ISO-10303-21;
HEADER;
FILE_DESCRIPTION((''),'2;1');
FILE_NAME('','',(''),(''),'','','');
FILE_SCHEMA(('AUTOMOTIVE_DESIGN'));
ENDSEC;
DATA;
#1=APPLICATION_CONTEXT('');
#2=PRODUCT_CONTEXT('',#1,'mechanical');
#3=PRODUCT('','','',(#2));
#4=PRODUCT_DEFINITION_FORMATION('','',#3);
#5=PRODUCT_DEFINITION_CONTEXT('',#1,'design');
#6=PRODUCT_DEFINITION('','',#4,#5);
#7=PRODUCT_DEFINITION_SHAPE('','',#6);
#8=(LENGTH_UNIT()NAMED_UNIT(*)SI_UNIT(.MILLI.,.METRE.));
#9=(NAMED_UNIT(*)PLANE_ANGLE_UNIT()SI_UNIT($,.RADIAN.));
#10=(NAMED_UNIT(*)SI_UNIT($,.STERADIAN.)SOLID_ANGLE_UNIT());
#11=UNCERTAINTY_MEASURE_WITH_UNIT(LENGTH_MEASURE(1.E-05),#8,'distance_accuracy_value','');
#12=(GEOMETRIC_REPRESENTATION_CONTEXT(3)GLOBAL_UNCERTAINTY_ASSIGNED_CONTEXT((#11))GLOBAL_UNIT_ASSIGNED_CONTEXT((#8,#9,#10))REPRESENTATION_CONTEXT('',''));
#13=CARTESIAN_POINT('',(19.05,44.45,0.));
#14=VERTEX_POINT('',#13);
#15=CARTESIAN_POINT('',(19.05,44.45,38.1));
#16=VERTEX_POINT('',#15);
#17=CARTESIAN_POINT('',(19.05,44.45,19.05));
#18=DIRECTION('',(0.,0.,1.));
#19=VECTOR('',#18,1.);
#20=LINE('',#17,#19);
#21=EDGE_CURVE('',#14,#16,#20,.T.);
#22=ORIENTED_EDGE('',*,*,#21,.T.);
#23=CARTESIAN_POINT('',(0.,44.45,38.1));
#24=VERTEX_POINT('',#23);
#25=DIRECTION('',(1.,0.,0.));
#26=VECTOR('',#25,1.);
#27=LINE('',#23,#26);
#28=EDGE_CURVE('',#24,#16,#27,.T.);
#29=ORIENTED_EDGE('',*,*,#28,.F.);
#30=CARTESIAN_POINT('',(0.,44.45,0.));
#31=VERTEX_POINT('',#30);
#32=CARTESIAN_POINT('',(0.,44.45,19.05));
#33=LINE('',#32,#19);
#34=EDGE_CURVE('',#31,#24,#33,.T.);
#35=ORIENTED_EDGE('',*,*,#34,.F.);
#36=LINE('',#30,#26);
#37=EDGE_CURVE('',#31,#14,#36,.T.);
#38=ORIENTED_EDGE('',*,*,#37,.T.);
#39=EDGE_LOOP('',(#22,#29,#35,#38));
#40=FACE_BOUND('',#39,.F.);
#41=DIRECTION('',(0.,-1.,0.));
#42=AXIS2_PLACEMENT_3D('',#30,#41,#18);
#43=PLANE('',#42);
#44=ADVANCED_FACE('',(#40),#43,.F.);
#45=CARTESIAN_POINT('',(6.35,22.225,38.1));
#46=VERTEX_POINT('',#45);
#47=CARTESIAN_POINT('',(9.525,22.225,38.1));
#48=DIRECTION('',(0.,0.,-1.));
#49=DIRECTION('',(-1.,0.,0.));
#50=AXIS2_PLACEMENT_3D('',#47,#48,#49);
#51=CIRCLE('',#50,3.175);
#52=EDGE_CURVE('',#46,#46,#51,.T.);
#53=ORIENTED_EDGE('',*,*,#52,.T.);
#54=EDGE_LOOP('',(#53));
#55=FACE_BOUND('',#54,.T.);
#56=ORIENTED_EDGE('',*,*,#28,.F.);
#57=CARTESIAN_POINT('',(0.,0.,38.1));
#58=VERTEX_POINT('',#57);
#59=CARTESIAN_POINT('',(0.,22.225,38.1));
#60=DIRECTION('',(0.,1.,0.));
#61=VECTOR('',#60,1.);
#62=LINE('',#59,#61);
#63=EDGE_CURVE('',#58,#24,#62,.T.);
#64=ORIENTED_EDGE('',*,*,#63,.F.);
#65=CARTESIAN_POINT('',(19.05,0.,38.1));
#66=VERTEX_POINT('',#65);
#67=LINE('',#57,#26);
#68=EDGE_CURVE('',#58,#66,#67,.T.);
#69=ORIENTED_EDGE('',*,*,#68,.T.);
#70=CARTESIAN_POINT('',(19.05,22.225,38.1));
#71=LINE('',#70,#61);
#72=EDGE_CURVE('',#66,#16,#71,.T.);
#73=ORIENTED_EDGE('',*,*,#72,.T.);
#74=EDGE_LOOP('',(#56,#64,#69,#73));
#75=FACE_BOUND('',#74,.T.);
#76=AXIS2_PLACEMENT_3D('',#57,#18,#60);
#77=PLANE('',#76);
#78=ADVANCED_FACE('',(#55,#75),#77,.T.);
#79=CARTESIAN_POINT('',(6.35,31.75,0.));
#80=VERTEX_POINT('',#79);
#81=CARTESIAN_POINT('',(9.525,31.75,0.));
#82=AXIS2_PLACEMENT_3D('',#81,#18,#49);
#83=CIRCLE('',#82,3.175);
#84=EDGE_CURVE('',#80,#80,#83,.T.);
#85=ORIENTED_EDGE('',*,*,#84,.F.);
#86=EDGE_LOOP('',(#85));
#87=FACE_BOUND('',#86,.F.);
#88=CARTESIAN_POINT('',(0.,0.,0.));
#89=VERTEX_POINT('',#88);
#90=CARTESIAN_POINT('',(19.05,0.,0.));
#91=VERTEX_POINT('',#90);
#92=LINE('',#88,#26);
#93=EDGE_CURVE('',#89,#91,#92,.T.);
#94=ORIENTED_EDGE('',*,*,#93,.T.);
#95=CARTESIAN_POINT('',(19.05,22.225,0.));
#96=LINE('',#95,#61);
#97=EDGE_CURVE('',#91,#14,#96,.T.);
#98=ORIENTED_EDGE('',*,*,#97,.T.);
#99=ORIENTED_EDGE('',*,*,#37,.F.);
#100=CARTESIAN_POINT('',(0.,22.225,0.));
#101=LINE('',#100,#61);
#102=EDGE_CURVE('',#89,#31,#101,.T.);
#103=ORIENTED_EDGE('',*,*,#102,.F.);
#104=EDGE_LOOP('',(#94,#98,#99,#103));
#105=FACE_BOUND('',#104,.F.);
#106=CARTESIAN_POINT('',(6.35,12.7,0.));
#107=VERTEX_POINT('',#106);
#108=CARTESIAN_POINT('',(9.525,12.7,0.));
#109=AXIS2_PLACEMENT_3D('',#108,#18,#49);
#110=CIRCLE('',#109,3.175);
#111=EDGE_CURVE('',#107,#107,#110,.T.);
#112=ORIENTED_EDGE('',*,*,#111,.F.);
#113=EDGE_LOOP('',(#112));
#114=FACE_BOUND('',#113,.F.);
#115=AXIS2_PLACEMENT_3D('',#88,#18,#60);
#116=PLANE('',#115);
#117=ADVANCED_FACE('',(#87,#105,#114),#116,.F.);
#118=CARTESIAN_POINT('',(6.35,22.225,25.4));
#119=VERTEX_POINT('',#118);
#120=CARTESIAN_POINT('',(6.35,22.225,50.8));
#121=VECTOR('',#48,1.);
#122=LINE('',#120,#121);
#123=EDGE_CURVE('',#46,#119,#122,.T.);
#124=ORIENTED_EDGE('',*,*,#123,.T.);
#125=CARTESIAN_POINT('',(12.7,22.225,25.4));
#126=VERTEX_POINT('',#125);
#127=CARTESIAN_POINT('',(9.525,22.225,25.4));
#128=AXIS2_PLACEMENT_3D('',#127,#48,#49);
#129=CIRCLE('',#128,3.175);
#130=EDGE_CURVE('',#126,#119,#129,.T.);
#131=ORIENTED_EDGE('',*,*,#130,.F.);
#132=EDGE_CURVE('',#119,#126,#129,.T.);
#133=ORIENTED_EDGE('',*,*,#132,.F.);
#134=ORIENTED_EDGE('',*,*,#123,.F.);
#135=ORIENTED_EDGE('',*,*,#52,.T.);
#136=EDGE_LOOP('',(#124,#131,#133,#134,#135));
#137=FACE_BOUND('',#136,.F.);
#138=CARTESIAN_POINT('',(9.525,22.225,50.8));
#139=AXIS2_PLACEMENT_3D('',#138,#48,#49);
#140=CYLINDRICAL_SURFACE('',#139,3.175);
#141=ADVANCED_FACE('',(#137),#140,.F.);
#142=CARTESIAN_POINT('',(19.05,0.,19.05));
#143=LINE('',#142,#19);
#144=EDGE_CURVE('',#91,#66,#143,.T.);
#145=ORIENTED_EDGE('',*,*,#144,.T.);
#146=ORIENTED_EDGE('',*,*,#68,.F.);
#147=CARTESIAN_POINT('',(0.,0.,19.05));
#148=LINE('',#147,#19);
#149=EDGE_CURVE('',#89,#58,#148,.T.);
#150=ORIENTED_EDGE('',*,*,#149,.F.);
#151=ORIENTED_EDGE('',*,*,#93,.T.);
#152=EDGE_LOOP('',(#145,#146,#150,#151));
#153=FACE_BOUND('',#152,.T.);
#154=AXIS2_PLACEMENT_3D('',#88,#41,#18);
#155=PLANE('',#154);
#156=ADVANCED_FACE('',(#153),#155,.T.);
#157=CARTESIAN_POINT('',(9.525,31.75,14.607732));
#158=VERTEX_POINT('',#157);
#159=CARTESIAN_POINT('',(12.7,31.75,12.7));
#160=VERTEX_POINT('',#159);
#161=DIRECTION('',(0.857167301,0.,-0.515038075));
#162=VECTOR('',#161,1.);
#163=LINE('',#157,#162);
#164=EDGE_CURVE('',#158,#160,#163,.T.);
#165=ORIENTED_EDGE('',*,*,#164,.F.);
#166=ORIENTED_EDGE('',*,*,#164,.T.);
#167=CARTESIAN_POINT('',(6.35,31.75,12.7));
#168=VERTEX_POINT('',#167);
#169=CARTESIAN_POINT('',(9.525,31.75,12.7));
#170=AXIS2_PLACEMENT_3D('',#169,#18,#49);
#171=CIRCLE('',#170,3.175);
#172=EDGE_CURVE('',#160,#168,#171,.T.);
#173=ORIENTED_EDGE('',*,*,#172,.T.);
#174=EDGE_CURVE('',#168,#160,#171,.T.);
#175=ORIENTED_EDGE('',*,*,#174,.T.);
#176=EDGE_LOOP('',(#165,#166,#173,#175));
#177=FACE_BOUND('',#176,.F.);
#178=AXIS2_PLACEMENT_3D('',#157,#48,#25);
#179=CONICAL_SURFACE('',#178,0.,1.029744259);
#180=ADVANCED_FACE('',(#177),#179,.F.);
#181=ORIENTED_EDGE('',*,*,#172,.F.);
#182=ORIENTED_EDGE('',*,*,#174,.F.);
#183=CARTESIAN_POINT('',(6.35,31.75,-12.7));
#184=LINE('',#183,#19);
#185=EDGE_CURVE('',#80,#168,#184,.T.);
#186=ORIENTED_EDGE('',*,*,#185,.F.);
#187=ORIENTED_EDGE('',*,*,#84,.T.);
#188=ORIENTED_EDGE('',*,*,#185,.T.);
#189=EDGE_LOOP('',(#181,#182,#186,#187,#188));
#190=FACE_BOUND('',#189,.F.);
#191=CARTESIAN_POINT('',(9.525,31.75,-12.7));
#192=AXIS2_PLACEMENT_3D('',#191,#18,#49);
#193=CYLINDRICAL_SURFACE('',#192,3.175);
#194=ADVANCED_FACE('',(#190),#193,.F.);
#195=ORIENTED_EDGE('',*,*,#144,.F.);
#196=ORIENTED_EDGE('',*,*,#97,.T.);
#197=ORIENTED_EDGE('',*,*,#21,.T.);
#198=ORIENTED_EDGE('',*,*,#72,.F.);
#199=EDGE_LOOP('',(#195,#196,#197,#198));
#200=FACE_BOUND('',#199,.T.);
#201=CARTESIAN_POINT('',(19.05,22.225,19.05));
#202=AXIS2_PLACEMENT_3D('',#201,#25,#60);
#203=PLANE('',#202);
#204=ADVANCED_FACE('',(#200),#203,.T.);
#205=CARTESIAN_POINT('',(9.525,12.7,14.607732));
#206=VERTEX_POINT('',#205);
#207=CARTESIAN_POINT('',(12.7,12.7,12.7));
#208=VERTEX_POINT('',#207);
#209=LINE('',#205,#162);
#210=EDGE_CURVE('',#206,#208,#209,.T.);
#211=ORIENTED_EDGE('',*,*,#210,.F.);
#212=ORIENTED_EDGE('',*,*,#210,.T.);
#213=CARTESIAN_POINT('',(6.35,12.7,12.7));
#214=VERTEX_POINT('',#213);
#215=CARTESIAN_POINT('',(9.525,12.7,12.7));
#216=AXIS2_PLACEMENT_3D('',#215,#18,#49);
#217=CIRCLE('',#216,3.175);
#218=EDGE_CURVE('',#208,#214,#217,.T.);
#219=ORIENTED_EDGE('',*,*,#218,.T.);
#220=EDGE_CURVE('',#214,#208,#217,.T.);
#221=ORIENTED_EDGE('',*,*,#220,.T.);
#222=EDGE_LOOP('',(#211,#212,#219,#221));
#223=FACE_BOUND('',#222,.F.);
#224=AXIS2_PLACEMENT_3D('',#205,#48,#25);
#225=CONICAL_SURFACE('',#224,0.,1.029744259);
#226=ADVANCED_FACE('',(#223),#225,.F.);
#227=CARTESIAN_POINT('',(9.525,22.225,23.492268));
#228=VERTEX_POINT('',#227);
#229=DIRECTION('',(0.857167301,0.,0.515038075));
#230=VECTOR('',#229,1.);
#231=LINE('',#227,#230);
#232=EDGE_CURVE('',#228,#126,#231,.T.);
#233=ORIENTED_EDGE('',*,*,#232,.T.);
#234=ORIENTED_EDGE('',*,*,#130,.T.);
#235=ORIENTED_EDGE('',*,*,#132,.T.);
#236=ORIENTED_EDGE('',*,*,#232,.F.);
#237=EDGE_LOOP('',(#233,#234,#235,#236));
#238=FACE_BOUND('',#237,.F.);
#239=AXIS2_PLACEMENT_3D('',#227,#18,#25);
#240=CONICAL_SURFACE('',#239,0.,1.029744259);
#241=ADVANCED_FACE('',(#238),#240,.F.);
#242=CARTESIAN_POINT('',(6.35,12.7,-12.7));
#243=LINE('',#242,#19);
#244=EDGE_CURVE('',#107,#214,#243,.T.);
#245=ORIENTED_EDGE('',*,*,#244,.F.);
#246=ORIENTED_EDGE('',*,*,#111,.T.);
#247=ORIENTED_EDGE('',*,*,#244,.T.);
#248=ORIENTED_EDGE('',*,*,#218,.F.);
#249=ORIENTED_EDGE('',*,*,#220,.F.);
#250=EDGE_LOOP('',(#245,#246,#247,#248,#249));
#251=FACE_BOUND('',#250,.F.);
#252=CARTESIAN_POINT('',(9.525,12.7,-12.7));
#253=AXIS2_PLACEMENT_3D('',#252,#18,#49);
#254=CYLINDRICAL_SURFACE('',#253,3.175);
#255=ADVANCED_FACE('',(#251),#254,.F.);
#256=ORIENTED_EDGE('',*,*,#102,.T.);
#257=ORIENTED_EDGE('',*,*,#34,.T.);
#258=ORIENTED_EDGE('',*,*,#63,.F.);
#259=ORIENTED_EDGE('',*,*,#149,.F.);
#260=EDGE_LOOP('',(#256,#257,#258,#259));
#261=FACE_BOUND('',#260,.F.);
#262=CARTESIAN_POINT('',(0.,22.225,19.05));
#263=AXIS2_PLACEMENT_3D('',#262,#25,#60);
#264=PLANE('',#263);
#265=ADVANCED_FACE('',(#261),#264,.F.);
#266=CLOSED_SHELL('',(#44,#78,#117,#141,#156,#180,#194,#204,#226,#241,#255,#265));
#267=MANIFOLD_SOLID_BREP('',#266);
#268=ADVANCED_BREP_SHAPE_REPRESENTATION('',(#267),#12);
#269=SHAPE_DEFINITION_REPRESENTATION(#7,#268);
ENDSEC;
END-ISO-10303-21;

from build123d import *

# Parameters (mm, degrees)
F0_W     = 44.45
F0_H     = 38.1
F1_DEPTH = 19.05
F3_D     = 6.35
F3_DEPTH = 12.7
F3_TIP   = 1.9077324654
F5_D     = 6.35
F5_DEPTH = 12.7
F5_TIP   = 1.9077324654


with BuildPart() as f1:
    # F0 (on Right) → F1 (new body)
    with BuildSketch(Plane.YZ):
        with Locations((22.225, 19.05)):
            Rectangle(F0_W, F0_H)
    extrude(amount=F1_DEPTH)

    # F3
    with Locations(Plane.XY.offset(38.1)):
        with Locations((9.525, 22.225)):
            Hole(F3_D / 2, depth=F3_DEPTH)
            with Locations((0, 0, -(F3_DEPTH + F3_TIP / 2))):  # 118° drill point
                Cone(0, F3_D / 2, F3_TIP, mode=Mode.SUBTRACT)

    # F5
    with Locations(Plane(origin=(0, 0, 0), x_dir=(1, 0, 0), z_dir=(0, 0, -1))):
        with Locations((9.525, -12.7), (9.525, -31.75)):
            Hole(F5_D / 2, depth=F5_DEPTH)
            with Locations((0, 0, -(F5_DEPTH + F5_TIP / 2))):  # 118° drill point
                Cone(0, F5_D / 2, F5_TIP, mode=Mode.SUBTRACT)


solid = f1.part
